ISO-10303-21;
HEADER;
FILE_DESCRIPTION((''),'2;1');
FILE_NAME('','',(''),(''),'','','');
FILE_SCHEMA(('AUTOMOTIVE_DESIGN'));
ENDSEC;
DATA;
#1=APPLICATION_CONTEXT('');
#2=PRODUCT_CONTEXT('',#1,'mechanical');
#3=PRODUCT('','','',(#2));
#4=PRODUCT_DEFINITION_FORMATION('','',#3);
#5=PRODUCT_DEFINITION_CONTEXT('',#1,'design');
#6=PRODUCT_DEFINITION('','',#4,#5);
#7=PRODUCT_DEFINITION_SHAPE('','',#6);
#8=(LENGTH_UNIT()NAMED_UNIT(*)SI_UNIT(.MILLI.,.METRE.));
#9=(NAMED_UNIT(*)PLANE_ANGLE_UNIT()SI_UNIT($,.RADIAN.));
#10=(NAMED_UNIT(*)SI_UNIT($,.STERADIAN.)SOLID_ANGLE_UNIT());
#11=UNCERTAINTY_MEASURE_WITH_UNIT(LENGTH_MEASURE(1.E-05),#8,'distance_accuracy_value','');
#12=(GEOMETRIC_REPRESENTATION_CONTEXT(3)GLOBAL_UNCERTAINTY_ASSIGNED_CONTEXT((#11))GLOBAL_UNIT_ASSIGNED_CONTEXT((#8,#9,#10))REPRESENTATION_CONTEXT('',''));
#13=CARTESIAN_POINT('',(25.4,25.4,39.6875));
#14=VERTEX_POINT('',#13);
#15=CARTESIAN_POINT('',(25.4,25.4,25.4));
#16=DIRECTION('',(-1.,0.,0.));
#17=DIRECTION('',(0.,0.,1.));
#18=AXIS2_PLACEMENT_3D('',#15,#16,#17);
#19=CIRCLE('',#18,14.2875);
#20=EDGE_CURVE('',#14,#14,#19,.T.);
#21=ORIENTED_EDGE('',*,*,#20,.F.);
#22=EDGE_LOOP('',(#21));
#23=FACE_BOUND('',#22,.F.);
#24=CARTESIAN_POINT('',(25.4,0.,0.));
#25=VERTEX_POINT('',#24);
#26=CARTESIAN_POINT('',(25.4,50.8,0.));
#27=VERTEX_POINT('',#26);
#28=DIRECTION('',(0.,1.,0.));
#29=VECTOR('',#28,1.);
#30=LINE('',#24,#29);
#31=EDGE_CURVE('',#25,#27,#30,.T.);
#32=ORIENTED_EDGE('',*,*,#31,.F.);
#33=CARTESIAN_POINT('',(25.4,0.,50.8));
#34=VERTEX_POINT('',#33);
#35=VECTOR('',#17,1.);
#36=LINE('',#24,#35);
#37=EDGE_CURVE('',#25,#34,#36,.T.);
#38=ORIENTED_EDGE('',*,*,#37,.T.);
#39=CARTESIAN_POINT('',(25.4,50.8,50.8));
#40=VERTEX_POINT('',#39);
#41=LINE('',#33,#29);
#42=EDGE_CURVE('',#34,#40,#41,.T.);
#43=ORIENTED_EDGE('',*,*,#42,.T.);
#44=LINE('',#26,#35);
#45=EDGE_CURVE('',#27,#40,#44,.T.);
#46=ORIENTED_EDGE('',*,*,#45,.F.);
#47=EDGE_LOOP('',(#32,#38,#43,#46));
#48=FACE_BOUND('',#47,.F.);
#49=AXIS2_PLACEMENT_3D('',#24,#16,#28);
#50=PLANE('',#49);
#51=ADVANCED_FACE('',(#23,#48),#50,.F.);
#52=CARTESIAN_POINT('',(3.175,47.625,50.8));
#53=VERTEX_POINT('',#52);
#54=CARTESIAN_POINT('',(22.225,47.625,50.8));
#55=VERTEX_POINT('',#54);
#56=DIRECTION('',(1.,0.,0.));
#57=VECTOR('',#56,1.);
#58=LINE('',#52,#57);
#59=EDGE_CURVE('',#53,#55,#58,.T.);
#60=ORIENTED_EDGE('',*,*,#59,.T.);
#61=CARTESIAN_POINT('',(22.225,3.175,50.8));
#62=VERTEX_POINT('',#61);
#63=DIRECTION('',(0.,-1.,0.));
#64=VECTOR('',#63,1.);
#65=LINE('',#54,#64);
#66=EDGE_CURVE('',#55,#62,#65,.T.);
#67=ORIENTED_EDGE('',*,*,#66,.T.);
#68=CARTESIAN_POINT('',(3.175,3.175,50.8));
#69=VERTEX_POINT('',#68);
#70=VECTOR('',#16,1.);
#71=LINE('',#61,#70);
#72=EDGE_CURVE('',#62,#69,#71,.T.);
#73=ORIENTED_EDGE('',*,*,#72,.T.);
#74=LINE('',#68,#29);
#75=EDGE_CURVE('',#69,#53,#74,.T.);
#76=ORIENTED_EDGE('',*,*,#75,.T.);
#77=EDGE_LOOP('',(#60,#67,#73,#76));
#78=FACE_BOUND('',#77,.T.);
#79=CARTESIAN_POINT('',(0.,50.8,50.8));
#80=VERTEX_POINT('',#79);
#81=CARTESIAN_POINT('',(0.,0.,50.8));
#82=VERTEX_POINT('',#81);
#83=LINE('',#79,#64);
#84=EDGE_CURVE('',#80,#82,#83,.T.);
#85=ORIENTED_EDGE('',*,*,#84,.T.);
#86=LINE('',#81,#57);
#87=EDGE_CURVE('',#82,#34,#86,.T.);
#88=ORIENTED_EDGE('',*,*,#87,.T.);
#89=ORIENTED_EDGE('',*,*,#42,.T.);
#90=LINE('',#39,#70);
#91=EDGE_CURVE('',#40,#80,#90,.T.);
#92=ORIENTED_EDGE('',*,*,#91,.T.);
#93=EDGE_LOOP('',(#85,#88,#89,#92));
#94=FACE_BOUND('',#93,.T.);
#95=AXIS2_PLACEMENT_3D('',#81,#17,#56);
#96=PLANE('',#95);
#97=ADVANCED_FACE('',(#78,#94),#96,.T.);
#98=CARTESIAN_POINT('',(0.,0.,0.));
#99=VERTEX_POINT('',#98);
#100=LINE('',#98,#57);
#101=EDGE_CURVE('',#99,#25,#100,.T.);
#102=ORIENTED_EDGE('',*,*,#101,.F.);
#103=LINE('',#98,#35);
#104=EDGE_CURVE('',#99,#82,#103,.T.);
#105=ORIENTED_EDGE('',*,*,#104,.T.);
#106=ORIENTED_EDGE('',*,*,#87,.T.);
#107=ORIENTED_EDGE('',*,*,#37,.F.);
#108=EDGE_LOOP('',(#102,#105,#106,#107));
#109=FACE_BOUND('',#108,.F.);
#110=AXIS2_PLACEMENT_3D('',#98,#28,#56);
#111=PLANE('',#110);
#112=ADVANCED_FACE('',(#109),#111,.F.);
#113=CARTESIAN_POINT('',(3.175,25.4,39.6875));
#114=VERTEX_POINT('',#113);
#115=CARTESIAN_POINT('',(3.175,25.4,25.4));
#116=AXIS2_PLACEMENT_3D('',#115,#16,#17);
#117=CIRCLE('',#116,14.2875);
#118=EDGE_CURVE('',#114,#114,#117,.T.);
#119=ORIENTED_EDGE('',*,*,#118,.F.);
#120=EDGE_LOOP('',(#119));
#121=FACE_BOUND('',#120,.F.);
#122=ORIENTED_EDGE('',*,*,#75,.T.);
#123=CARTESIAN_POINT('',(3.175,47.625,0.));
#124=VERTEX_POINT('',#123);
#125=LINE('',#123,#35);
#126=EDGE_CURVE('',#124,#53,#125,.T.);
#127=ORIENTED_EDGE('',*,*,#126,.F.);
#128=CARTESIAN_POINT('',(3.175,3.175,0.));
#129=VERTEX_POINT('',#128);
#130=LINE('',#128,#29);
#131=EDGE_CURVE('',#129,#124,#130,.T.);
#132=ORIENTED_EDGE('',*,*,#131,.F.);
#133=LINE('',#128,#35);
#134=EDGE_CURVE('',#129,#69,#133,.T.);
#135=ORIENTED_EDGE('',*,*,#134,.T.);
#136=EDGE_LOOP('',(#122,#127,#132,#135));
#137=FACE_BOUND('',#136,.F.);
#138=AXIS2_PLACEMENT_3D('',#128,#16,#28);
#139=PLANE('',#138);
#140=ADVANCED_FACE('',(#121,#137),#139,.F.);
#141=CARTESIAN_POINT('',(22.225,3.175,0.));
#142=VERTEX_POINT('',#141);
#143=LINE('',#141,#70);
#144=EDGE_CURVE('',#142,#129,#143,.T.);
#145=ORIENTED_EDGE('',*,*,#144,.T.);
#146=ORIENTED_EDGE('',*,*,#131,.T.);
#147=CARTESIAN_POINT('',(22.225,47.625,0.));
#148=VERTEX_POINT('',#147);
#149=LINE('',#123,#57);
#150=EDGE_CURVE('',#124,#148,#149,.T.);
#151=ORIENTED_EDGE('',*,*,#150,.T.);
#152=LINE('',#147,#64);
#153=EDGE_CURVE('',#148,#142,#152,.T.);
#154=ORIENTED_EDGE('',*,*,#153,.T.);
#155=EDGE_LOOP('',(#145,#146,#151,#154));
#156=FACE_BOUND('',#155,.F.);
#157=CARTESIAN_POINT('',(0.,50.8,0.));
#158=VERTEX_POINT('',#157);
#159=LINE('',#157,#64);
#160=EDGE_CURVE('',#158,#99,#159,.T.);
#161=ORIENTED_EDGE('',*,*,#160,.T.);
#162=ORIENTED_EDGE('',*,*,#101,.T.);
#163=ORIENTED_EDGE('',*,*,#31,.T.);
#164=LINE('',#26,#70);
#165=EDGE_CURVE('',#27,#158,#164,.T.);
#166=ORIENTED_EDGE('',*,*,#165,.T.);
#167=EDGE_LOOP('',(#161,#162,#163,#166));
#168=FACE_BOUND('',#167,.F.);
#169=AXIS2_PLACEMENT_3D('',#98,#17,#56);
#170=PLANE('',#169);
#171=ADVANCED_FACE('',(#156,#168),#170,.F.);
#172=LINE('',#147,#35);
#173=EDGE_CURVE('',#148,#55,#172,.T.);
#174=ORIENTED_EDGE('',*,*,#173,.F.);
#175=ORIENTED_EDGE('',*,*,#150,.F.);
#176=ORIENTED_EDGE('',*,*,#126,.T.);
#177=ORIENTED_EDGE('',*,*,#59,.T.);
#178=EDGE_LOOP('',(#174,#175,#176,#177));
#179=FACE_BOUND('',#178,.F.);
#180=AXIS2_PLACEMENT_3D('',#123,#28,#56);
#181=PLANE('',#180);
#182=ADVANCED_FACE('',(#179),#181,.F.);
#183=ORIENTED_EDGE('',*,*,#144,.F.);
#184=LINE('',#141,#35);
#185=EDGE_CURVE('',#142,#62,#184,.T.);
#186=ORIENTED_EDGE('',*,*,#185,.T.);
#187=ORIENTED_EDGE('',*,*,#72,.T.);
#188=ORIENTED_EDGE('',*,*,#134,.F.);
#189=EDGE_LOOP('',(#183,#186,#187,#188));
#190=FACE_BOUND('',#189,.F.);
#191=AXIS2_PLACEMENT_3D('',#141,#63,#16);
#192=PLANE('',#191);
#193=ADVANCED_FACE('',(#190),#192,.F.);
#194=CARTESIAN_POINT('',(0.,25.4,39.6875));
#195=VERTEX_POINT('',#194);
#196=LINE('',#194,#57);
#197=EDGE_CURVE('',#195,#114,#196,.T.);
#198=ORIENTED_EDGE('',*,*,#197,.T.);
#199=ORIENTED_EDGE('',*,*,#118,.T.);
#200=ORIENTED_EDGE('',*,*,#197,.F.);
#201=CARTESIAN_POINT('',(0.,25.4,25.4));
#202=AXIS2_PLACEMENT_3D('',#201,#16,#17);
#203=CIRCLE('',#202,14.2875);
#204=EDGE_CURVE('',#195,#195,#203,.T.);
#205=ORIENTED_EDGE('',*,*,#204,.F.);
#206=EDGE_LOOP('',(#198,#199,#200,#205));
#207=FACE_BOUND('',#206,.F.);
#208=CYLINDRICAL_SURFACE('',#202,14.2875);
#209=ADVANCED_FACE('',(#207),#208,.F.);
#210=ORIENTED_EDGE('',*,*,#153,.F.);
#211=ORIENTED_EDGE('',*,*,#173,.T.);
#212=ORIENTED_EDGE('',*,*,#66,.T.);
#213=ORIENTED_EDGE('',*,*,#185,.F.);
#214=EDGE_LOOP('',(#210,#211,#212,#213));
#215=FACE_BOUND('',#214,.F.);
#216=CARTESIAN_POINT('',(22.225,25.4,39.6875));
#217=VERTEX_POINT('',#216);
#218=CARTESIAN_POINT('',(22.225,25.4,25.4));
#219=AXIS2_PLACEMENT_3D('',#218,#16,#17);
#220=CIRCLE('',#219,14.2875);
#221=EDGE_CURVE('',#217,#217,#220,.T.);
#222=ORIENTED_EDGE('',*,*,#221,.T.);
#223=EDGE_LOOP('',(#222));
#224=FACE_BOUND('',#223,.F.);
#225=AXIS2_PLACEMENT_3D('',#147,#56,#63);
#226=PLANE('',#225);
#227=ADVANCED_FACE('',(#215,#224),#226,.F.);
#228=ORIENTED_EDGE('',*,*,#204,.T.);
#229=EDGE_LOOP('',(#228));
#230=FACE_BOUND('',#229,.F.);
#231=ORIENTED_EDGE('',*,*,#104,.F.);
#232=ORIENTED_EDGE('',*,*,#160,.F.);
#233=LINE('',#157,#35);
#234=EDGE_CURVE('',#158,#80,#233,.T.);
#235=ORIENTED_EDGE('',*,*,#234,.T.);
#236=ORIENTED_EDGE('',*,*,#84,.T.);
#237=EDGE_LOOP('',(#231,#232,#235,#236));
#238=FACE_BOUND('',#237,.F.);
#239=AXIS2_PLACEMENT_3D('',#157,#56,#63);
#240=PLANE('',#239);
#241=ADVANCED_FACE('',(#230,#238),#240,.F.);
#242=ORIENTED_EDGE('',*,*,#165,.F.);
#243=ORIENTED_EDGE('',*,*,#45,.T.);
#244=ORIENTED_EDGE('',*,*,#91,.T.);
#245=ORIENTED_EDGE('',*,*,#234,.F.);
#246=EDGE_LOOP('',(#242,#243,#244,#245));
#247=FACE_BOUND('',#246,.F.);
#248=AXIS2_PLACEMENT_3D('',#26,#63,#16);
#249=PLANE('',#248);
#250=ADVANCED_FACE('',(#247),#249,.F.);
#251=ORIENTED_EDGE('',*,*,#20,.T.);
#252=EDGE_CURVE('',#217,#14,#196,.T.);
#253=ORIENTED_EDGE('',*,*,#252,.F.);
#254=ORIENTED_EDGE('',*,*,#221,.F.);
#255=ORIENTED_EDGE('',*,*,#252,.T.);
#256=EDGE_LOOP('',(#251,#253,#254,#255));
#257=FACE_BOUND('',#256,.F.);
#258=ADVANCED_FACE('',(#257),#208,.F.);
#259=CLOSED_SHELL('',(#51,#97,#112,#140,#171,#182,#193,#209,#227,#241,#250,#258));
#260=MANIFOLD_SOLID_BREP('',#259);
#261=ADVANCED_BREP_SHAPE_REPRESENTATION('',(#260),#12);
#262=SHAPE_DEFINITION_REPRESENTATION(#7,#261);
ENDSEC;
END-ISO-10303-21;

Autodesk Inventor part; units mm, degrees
ref_plane "YZ Plane" through (0, 0, 0) normal (1, 0, 0) x (0, 1, 0)
ref_plane "XZ Plane" through (0, 0, 0) normal (0, 1, 0) x (-1, 0, 0)
ref_plane "XY Plane" through (0, 0, 0) normal (0, 0, 1) x (1, 0, 0)
sketch "Sketch1" plane through (0, 0, 0) normal (1, 0, 0) x (0, 1, 0)
  point P0 (0, 0)
sketch "Sketch2" plane through (0, 0, 0) normal (0, 0, 1) x (1, 0, 0)
  line L0 (0, 0) -> (25.4, 0)
  line L1 (25.4, 0) -> (25.4, 50.8)
  line L2 (25.4, 50.8) -> (0, 50.8)
  line L3 (0, 50.8) -> (0, 0)
  line L4 (3.175, 47.625) -> (22.225, 47.625)
  line L5 (22.225, 47.625) -> (22.225, 3.175)
  line L6 (22.225, 3.175) -> (3.175, 3.175)
  line L7 (3.175, 3.175) -> (3.175, 47.625)
  dimension "d0" = 3.175
  dimension "d1" = 3.175
  dimension "d2" = 3.175
  dimension "d3" = 3.175
  dimension "d4" = 50.8
  dimension "d5" = 25.4
  dimension "d6" = 50.8
extrude "Extrusion1" add sketch "Sketch2" along normal blind 50.8
sketch "Sketch3" plane through (0, 0, 0) normal (-1, 0, 0) x (0, 0, 1)
  circle A0 centre (25.4, 25.4) radius 14.2875
  line L0 (0, 50.8) -> (50.8, 50.8) projected
  line L1 (0, 50.8) -> (0, 0) projected
  dimension "d9" = 28.575
  dimension "d10" = 25.4
  dimension "d11" = 25.4
extrude "Extrusion2" cut sketch "Sketch3" against normal through all
properties part number "2x2block"
